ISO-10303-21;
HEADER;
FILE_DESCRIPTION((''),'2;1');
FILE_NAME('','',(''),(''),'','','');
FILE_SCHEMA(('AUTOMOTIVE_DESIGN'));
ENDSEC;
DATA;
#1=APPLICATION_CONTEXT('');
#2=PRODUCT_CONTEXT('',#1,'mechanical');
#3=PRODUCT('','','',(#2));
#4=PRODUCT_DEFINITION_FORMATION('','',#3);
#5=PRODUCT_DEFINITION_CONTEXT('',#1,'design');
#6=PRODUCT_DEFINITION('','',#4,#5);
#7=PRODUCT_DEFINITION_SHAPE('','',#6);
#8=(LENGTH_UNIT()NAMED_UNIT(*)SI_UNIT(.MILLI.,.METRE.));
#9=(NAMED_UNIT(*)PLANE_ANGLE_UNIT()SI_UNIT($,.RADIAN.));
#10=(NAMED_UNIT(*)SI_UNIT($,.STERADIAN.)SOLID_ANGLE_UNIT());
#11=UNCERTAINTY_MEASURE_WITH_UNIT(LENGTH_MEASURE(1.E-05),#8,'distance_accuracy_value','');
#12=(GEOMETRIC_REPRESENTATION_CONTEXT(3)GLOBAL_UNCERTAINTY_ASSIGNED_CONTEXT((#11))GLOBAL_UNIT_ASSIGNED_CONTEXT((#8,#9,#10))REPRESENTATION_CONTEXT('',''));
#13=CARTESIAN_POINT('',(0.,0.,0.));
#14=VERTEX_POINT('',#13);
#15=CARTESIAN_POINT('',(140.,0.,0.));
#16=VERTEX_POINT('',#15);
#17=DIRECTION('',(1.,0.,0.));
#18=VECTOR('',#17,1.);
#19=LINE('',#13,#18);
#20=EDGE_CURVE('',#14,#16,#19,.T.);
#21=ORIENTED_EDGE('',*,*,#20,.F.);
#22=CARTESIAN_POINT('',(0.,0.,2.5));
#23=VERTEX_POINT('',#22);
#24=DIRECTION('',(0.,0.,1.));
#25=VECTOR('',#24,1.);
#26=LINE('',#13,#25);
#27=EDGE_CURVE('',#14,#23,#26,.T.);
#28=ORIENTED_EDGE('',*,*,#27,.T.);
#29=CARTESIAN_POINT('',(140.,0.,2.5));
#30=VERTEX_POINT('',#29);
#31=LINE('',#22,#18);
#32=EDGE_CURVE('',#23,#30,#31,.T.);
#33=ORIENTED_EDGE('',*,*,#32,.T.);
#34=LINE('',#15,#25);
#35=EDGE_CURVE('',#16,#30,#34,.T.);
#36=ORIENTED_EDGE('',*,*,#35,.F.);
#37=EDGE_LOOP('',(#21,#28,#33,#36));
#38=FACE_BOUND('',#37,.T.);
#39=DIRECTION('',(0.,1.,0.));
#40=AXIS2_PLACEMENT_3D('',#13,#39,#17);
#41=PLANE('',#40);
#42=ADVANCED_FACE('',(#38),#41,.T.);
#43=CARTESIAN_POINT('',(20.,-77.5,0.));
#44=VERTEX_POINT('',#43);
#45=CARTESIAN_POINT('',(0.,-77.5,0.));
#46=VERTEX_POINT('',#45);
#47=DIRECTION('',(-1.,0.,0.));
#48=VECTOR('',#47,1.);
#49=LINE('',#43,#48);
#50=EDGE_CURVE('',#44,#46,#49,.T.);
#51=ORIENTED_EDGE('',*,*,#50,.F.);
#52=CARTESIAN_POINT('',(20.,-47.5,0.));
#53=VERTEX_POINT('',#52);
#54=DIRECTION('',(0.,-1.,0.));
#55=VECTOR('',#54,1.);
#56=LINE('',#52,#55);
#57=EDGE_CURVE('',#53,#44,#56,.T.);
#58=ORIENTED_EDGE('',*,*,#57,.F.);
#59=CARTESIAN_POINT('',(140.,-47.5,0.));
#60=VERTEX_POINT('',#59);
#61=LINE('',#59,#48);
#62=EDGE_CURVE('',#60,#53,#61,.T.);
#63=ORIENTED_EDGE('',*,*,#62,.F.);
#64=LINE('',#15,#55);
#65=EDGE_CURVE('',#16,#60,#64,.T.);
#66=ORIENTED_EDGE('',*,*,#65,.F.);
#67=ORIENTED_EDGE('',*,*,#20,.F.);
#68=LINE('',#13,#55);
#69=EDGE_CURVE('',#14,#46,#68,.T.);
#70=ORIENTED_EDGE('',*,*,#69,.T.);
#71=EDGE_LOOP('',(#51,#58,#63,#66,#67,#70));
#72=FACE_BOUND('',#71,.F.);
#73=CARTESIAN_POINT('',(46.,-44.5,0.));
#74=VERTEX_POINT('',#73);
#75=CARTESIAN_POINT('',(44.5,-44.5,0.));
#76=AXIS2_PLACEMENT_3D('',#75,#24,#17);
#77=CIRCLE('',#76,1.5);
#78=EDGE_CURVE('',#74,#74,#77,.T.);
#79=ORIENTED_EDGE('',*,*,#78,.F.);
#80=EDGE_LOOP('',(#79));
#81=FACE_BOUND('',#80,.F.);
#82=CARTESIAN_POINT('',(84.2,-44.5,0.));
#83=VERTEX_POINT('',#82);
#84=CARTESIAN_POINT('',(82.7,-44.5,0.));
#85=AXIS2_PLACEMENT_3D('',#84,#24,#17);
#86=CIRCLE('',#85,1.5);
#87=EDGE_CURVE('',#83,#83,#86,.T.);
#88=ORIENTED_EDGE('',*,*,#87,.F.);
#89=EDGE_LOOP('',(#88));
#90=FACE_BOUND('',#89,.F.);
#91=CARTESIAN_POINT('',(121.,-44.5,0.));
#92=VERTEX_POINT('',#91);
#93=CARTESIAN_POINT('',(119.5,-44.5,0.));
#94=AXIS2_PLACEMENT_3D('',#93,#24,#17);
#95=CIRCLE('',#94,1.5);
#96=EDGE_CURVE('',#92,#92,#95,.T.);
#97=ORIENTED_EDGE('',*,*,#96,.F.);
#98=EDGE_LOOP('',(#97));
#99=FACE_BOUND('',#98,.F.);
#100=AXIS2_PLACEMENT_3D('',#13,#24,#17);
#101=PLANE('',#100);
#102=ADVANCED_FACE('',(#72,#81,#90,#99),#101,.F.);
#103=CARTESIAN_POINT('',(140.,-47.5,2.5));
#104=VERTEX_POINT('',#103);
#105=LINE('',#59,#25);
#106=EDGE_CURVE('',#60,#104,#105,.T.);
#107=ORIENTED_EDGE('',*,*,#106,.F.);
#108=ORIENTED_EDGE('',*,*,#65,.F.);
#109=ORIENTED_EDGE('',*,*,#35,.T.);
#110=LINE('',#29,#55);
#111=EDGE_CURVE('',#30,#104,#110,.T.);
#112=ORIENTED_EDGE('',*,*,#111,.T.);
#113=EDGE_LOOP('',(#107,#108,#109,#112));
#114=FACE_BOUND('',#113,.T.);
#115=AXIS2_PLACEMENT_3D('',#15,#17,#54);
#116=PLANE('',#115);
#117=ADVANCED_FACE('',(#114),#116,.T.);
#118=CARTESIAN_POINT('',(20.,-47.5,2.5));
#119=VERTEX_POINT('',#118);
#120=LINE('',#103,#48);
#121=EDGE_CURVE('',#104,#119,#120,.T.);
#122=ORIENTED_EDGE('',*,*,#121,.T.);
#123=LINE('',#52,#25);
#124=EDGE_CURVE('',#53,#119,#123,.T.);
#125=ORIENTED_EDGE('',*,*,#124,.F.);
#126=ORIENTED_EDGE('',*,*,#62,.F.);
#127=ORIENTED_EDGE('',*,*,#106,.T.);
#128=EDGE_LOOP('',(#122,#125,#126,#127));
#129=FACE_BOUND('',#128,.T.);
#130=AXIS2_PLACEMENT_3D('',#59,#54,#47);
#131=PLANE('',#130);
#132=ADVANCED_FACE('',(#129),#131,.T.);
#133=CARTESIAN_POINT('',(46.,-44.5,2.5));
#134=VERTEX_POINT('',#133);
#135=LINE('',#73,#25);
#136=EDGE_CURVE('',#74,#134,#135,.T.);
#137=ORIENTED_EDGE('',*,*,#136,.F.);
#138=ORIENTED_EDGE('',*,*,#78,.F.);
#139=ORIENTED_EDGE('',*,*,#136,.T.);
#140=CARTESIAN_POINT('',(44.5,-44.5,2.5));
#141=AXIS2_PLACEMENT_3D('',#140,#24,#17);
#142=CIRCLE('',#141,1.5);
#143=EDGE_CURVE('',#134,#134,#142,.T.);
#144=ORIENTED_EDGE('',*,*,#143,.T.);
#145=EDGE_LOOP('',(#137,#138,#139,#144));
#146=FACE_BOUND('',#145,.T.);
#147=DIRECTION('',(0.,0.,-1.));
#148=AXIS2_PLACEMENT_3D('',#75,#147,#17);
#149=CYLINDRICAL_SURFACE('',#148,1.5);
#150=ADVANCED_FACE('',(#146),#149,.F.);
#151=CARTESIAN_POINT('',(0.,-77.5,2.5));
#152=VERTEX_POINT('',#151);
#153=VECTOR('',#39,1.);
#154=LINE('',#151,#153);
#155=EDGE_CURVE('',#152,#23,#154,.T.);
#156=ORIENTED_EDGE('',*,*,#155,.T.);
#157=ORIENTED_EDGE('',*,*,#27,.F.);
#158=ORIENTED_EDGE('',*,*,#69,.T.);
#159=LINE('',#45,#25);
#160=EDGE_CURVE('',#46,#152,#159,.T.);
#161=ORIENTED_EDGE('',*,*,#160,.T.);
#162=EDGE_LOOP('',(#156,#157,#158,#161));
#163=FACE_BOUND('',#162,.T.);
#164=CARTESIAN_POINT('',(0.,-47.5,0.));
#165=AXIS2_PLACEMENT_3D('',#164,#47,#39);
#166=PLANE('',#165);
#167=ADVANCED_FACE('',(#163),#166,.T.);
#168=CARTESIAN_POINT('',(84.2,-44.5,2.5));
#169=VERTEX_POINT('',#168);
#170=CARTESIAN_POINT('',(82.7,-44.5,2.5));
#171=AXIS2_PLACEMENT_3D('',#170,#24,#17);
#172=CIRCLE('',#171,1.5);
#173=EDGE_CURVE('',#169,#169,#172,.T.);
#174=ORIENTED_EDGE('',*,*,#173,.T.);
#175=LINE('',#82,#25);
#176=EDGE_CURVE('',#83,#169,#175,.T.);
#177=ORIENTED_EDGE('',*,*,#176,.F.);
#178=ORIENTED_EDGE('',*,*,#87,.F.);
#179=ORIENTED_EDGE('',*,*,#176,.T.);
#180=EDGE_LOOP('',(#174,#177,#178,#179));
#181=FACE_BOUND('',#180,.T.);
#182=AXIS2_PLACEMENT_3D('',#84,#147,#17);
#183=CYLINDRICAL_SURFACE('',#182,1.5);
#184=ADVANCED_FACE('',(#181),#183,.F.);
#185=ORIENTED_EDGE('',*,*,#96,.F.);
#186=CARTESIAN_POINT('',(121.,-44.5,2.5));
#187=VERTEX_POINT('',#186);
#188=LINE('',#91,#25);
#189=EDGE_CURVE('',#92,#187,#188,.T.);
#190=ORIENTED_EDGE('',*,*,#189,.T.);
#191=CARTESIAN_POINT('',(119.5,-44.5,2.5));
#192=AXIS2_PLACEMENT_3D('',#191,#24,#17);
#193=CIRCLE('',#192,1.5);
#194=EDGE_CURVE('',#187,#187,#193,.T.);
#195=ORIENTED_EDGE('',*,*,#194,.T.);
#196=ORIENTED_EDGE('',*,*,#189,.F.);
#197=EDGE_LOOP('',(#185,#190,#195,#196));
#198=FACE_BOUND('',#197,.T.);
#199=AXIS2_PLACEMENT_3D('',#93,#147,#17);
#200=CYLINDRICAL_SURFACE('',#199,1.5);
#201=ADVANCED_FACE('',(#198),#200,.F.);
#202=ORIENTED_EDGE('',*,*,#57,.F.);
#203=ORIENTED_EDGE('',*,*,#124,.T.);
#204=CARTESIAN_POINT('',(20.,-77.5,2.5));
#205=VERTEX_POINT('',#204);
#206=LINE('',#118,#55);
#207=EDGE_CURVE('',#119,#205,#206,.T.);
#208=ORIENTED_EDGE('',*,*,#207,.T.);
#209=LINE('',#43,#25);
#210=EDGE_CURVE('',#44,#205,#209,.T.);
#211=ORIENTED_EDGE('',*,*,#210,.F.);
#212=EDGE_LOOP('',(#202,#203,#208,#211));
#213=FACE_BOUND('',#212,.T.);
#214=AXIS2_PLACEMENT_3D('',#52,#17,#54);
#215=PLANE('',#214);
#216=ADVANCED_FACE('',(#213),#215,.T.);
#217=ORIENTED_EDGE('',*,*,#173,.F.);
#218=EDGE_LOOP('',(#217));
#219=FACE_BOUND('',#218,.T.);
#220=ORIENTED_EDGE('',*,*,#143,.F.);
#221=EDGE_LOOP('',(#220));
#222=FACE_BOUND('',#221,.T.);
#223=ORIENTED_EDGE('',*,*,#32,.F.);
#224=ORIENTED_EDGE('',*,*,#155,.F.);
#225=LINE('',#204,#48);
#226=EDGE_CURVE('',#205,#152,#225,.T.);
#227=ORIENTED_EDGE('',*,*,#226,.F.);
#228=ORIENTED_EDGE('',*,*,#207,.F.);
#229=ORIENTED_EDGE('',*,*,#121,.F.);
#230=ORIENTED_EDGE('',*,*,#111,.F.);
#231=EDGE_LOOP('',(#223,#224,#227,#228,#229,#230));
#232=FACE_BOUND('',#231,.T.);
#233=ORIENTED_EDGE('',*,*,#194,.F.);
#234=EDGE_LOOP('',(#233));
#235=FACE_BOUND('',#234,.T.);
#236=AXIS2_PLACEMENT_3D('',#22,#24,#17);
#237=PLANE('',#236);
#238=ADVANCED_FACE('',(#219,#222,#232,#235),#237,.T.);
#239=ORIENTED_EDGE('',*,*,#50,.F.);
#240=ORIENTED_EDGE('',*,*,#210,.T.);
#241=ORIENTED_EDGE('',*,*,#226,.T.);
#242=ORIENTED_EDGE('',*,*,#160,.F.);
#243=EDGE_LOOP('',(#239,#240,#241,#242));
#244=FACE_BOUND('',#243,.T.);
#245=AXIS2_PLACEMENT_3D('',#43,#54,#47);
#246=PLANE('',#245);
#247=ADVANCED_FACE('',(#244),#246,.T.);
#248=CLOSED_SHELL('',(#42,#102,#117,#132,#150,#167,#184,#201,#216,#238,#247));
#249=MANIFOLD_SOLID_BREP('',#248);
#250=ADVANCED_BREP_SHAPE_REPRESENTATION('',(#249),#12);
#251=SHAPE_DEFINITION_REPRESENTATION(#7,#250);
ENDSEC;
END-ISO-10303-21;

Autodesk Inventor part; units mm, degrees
ref_plane "YZ Plane" through (0, 0, 0) normal (1, 0, 0) x (0, 1, 0)
ref_plane "XZ Plane" through (0, 0, 0) normal (0, 1, 0) x (-1, 0, 0)
ref_plane "XY Plane" through (0, 0, 0) normal (0, 0, 1) x (1, 0, 0)
sketch "Sketch1" plane through (0, 0, 0) normal (0, 0, 1) x (1, 0, 0)
  circle A0 centre (119.5, -44.5) radius 1.5
  circle A1 centre (82.7, -44.5) radius 1.5
  circle A2 centre (44.5, -44.5) radius 1.5
  line L0 (0, 0) -> (140, 0)
  line L1 (140, 0) -> (140, -47.5)
  line L2 (140, -47.5) -> (0, -47.5)
  line L3 (0, -47.5) -> (0, 0)
  line L4 (0, -47.5) -> (20, -47.5)
  line L5 (20, -47.5) -> (20, -77.5)
  line L6 (20, -77.5) -> (0, -77.5)
  line L7 (0, -77.5) -> (0, -47.5)
  dimension "d8" = 3
  dimension "d10" = 36.8
  dimension "d11" = 75
  dimension "d15" = 140
  dimension "d16" = 47.5
  dimension "d17" = 20
  dimension "d18" = 30
extrude "Extrusion1" add sketch "Sketch1" along normal blind 2.5
properties part number "IR_PCB_Inventor"
